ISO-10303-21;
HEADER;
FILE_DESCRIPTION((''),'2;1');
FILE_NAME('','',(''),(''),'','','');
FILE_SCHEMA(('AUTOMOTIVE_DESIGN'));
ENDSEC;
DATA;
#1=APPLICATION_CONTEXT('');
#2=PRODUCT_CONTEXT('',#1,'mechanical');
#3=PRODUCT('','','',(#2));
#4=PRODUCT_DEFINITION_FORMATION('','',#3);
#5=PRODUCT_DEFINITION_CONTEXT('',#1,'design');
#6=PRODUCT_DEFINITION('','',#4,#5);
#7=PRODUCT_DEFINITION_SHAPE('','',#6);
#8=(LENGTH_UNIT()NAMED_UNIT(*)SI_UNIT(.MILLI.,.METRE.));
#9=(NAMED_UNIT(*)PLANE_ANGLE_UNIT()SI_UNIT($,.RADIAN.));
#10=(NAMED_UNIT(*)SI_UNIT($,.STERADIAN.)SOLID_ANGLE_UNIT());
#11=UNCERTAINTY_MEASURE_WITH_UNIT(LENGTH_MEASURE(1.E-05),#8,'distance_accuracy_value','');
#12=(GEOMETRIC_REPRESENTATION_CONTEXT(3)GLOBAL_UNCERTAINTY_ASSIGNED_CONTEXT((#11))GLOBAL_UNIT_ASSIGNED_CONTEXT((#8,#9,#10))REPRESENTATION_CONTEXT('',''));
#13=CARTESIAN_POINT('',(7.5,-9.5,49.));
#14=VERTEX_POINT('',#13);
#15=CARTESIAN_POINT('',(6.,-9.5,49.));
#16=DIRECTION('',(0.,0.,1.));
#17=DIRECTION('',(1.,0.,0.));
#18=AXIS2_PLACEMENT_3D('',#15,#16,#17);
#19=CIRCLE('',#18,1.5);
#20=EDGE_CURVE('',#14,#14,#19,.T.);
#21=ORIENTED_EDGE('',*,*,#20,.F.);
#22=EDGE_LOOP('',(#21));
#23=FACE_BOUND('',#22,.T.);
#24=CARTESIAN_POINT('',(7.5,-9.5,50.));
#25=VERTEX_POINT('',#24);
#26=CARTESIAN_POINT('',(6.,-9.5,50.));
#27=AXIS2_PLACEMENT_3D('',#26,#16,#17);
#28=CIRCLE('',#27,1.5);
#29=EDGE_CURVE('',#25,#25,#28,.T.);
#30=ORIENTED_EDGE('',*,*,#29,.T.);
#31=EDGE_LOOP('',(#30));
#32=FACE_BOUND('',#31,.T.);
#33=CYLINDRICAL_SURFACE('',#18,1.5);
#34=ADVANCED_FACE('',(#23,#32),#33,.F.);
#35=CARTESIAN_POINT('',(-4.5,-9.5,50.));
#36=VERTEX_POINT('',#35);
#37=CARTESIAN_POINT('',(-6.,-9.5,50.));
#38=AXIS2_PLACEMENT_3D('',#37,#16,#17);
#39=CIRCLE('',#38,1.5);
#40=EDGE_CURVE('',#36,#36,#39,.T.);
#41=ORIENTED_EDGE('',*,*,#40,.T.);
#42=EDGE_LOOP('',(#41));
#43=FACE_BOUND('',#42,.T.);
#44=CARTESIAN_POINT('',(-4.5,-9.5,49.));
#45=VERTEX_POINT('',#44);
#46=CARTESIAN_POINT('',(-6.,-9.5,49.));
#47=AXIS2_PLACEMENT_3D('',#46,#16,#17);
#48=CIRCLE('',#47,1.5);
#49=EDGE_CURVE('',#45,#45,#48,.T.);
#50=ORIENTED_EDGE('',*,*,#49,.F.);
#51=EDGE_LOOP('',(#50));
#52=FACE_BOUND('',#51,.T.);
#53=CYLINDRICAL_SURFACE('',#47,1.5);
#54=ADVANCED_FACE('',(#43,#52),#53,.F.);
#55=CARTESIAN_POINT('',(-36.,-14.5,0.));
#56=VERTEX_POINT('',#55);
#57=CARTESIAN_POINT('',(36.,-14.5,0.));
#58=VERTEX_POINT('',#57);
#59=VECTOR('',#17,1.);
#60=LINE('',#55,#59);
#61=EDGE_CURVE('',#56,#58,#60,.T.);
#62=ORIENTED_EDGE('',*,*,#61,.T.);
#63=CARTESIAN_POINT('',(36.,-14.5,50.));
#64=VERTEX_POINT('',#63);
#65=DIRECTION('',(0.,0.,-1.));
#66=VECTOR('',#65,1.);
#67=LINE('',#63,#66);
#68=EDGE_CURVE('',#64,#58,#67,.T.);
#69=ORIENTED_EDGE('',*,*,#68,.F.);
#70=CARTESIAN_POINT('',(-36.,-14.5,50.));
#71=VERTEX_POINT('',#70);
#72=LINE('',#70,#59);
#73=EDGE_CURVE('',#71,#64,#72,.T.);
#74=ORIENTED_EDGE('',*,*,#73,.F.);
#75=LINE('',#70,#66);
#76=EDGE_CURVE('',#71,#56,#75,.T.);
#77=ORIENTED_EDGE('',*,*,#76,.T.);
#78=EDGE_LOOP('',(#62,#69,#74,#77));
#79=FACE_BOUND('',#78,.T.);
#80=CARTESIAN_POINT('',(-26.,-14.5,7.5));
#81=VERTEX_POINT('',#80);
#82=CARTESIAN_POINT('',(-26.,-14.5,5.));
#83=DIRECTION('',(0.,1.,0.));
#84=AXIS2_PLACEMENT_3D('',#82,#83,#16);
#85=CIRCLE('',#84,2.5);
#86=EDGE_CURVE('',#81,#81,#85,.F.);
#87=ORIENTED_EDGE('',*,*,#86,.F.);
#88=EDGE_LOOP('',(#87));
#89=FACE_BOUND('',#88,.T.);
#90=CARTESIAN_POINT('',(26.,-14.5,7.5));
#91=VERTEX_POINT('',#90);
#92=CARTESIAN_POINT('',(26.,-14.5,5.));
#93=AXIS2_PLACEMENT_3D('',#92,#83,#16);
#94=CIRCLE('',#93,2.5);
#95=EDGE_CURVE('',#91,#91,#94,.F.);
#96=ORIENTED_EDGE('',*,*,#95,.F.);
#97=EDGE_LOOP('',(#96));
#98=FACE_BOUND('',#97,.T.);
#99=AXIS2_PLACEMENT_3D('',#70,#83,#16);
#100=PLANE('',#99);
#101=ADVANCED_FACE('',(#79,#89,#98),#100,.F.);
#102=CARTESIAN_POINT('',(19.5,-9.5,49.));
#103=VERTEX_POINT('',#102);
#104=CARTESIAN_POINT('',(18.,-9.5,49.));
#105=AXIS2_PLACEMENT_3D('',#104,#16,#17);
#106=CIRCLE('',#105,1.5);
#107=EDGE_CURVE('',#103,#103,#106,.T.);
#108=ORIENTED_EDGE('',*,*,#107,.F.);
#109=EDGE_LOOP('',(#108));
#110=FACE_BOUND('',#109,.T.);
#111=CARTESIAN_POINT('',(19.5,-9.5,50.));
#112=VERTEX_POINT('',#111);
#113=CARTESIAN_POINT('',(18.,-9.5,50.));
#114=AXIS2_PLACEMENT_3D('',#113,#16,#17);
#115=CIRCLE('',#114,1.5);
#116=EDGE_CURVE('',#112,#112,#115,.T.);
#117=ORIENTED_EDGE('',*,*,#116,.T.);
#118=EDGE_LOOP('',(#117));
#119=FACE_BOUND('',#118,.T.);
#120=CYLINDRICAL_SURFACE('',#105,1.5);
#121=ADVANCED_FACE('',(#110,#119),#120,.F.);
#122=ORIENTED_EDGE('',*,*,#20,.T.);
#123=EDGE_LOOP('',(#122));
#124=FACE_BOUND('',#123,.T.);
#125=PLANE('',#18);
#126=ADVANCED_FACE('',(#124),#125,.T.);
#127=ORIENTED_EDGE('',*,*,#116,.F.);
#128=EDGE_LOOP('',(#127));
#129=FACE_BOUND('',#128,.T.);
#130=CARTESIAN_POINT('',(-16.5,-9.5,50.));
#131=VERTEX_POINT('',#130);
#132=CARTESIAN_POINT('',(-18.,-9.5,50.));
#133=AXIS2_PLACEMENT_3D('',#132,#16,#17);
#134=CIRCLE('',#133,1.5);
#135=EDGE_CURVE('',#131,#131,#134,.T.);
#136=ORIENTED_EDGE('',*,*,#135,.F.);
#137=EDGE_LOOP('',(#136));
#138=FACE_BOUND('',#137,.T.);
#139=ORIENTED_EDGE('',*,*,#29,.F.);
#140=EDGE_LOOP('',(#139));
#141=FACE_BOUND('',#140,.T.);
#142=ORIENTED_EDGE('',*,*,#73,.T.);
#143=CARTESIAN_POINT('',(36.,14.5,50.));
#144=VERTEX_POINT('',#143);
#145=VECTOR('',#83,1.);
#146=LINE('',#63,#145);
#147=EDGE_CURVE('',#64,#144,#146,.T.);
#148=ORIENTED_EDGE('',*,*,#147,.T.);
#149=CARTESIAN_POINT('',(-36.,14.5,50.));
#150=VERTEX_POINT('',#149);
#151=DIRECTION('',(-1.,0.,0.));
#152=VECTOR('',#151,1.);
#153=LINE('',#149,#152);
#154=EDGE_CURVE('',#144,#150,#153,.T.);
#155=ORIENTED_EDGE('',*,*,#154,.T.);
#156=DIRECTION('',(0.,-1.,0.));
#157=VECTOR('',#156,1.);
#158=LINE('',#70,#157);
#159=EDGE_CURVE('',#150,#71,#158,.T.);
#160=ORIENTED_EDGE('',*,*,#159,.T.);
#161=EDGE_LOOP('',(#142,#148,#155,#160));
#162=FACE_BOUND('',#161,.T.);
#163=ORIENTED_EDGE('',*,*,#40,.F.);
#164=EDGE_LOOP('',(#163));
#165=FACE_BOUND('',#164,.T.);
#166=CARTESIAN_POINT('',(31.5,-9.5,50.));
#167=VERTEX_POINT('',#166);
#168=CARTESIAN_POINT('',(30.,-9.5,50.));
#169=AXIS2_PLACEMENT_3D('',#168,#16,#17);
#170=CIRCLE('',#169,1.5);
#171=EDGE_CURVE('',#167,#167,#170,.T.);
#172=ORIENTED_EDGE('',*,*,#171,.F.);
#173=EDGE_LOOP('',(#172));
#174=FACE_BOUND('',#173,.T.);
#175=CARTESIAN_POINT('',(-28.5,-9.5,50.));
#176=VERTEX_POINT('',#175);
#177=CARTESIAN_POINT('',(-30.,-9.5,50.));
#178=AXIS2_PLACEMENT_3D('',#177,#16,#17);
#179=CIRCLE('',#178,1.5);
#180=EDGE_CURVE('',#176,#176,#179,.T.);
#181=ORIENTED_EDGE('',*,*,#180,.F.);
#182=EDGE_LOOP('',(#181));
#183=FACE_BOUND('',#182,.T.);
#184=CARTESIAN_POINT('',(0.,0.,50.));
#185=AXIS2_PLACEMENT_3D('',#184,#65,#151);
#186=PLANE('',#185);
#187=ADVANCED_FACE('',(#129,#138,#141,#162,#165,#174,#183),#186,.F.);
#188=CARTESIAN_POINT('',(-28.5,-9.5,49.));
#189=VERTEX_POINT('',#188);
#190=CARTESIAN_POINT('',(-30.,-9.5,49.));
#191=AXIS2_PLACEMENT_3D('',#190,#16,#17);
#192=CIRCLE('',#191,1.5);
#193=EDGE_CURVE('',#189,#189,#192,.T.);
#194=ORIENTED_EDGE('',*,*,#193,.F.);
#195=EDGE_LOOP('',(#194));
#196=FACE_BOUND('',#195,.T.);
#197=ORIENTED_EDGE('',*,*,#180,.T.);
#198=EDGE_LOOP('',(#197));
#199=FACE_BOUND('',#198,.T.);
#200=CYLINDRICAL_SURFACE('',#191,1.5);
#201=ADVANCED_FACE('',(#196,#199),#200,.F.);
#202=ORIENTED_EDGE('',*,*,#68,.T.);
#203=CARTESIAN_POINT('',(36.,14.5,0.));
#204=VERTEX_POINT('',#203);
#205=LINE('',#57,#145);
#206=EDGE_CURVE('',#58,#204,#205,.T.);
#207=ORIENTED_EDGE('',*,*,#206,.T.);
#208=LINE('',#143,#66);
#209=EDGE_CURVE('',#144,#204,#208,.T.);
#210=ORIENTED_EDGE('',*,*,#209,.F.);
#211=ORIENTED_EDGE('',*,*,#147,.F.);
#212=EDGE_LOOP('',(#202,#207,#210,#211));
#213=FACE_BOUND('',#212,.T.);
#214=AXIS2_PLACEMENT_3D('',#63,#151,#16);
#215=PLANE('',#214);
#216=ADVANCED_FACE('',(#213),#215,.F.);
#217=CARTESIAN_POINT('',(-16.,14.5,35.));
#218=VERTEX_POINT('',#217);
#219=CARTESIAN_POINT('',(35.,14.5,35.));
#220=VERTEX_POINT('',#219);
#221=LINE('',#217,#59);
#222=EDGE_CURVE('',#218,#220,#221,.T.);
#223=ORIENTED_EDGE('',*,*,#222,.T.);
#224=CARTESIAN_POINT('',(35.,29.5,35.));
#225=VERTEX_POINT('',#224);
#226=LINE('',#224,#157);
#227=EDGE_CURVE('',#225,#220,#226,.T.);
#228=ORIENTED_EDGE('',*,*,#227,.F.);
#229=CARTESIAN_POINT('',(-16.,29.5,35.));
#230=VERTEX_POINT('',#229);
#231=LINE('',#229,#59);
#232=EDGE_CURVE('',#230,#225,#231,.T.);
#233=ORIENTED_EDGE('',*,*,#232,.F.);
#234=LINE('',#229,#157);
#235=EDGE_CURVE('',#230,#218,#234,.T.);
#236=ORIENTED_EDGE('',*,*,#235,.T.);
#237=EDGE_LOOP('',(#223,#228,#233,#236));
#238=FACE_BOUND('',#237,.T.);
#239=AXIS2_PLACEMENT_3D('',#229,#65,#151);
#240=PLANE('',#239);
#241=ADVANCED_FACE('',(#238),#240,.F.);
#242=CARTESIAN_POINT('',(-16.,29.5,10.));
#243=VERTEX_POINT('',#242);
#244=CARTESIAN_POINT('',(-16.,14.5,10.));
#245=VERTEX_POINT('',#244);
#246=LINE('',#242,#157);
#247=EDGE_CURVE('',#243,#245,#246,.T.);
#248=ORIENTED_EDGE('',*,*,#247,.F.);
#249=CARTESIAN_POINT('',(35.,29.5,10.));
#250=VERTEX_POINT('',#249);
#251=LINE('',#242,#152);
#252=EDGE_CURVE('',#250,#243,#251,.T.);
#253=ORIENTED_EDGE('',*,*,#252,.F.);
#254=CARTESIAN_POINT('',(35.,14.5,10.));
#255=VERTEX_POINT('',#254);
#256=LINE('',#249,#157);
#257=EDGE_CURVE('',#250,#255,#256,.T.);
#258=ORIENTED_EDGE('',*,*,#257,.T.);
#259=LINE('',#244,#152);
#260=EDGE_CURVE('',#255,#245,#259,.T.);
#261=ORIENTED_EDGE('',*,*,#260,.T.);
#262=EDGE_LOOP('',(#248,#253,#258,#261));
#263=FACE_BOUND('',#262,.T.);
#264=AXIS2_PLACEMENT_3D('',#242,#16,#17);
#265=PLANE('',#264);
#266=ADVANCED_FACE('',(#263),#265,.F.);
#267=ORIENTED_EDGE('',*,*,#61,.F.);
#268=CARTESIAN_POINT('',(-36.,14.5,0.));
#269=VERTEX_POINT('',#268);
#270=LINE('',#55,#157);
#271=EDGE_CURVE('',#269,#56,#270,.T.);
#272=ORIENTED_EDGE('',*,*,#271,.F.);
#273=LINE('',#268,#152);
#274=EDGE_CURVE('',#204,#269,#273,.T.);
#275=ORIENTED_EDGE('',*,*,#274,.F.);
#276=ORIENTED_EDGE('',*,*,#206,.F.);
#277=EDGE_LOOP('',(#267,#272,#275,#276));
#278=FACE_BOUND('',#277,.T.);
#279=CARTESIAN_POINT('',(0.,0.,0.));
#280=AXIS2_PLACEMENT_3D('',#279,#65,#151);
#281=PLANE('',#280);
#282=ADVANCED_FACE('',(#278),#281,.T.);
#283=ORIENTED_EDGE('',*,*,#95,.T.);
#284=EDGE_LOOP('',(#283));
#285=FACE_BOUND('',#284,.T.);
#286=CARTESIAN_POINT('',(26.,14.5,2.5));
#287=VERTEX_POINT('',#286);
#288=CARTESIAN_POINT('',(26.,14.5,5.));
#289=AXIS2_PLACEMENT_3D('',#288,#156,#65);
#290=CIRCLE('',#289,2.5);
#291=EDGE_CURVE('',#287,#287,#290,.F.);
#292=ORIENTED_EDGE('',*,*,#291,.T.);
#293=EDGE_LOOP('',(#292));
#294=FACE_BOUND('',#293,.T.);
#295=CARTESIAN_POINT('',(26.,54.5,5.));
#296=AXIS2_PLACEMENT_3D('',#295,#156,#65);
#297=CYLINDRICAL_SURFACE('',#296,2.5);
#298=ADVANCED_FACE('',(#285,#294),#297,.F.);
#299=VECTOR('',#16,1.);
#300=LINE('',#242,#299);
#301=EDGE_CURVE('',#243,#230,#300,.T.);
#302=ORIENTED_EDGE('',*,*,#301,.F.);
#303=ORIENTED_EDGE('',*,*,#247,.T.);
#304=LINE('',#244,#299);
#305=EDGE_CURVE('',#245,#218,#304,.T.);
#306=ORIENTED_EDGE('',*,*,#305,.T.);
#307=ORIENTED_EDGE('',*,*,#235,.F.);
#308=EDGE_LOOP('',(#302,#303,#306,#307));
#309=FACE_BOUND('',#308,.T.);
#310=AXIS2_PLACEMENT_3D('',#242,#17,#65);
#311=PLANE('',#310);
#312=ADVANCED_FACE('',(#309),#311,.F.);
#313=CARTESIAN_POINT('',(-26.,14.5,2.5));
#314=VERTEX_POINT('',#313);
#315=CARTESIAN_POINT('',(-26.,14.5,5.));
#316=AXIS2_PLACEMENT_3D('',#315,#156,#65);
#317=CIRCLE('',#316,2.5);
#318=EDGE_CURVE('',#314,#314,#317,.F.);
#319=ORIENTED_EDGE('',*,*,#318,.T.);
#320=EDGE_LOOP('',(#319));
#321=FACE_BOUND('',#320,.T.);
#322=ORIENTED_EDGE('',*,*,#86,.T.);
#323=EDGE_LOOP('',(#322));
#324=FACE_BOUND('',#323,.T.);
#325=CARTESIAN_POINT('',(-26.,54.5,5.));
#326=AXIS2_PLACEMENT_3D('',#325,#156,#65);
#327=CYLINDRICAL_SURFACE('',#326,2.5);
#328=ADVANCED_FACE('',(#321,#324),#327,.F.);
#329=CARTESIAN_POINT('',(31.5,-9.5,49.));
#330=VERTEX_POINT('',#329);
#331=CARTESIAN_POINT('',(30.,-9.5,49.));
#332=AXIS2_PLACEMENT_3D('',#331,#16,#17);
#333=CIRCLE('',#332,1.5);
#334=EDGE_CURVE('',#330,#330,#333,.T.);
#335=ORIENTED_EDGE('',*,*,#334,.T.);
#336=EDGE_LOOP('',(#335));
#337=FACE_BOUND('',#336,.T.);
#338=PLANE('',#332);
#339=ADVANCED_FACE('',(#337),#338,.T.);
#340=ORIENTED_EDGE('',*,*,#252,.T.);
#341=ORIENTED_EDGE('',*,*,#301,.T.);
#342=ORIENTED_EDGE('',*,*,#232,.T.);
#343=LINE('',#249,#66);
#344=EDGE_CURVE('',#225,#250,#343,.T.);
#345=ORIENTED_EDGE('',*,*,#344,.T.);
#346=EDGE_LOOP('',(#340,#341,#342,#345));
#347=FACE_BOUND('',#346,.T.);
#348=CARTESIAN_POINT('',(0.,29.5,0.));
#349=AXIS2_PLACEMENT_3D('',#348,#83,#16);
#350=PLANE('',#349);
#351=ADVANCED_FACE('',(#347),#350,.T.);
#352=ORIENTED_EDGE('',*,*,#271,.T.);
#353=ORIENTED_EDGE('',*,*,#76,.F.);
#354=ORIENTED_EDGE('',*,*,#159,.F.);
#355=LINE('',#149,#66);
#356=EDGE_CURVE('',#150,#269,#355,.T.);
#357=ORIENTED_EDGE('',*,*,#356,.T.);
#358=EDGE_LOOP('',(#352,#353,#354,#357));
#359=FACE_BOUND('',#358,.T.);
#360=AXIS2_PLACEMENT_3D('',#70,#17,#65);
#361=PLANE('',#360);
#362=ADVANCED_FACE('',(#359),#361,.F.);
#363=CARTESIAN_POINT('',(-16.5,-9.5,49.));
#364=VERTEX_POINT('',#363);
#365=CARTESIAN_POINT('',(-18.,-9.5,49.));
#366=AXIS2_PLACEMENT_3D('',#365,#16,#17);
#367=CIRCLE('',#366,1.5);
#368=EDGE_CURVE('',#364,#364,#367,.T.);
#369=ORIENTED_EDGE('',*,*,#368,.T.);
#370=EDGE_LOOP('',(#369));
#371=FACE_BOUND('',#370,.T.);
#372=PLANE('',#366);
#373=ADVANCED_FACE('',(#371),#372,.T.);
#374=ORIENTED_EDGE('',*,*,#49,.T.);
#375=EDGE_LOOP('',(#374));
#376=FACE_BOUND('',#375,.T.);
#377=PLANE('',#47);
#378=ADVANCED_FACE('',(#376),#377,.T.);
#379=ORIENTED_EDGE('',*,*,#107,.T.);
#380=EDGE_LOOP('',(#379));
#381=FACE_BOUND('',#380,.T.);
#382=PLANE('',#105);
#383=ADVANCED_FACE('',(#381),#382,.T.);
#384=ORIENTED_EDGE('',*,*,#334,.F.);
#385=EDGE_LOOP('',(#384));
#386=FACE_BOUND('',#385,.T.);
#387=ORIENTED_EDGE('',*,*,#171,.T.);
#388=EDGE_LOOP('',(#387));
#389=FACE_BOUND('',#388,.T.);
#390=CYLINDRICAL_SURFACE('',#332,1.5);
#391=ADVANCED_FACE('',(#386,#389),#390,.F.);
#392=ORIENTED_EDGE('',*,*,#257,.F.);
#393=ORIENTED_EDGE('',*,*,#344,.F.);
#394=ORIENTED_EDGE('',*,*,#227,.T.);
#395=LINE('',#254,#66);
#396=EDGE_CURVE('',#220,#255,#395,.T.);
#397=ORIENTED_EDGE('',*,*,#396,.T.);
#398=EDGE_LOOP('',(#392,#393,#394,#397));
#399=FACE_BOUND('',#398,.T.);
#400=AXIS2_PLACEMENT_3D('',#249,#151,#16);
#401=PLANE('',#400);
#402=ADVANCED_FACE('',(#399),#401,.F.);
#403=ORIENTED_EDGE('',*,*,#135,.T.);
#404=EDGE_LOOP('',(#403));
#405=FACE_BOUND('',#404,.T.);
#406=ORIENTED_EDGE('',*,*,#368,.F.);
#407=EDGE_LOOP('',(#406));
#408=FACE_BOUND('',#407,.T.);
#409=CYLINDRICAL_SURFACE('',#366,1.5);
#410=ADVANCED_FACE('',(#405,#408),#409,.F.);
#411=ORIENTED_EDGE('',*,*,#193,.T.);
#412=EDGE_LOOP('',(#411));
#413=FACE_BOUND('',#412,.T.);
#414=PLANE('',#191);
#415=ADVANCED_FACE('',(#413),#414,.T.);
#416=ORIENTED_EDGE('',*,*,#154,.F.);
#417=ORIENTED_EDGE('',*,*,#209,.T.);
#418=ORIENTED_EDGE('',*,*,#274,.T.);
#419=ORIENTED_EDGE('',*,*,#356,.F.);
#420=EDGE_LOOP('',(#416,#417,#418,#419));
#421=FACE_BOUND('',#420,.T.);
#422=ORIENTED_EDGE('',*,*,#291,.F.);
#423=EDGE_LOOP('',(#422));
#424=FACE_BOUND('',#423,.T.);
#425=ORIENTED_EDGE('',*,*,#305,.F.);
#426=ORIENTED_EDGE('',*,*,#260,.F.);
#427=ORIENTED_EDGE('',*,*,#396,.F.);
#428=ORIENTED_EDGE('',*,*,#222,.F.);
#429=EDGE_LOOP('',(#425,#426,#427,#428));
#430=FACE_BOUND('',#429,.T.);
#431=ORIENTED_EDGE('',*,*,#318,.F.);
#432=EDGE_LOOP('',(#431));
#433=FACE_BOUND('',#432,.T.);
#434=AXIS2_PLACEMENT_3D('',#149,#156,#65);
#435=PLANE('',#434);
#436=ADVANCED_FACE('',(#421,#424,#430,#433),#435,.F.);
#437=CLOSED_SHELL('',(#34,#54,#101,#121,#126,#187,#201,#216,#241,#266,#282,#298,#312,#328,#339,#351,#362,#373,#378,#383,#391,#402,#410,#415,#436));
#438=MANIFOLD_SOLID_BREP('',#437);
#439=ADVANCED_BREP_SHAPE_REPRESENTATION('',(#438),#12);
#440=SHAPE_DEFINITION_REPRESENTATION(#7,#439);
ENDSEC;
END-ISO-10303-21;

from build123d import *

# Parameters (mm, degrees)
SKETCH1_W               = 72
SKETCH1_H               = 29
BOSS_EXTRUDE1_DEPTH     = 50
SKETCH3_R               = 2.5
SKETCH3_W               = 51
SKETCH3_H               = 25
BOSS_EXTRUDE3_DEPTH     = 15
SKETCH2_R               = 1.5
CUT_EXTRUDE1_DEPTH      = 1
SKETCH4_R               = 2.5
CUT_EXTRUDE2_DEPTH      = 40
CUT_EXTRUDE2_DEPTH_BACK = 40


with BuildPart() as part:
    # Sketch1 → Boss-Extrude1 (new body)
    with BuildSketch(Plane.XY):
        Rectangle(SKETCH1_W, SKETCH1_H)
    extrude(amount=BOSS_EXTRUDE1_DEPTH)

    # Sketch3 → Boss-Extrude3 (add)
    with BuildSketch(Plane(origin=(0, 14.5, 0), x_dir=(1, 0, 0), z_dir=(0, 1, 0))):
        with Locations((-26, -5)):
            Circle(SKETCH3_R)
        with Locations((26, -5)):
            Circle(SKETCH3_R)
        with Locations((9.5, -22.5)):
            Rectangle(SKETCH3_W, SKETCH3_H)
    extrude(amount=BOSS_EXTRUDE3_DEPTH)

    # Sketch2 → Cut-Extrude1 (cut)
    with BuildSketch(Plane.XY.offset(50)):
        with Locations((-30, -9.5)):
            Circle(SKETCH2_R)
        with Locations((-18, -9.5)):
            Circle(SKETCH2_R)
        with Locations((-6, -9.5)):
            Circle(SKETCH2_R)
        with Locations((6, -9.5)):
            Circle(SKETCH2_R)
        with Locations((18, -9.5)):
            Circle(SKETCH2_R)
        with Locations((30, -9.5)):
            Circle(SKETCH2_R)
    extrude(amount=-CUT_EXTRUDE1_DEPTH, mode=Mode.SUBTRACT)

    # Sketch4 → Cut-Extrude2 (cut, two sides)
    with BuildSketch(Plane(origin=(0, 14.5, 0), x_dir=(1, 0, 0), z_dir=(0, 1, 0))) as cut_extrude2_sk:
        with Locations((26, -5)):
            Circle(SKETCH4_R)
        with Locations((-26, -5)):
            Circle(SKETCH4_R)
    extrude(amount=CUT_EXTRUDE2_DEPTH, mode=Mode.SUBTRACT)
    extrude(cut_extrude2_sk.sketch, amount=-CUT_EXTRUDE2_DEPTH_BACK, mode=Mode.SUBTRACT)


solid = part.part
